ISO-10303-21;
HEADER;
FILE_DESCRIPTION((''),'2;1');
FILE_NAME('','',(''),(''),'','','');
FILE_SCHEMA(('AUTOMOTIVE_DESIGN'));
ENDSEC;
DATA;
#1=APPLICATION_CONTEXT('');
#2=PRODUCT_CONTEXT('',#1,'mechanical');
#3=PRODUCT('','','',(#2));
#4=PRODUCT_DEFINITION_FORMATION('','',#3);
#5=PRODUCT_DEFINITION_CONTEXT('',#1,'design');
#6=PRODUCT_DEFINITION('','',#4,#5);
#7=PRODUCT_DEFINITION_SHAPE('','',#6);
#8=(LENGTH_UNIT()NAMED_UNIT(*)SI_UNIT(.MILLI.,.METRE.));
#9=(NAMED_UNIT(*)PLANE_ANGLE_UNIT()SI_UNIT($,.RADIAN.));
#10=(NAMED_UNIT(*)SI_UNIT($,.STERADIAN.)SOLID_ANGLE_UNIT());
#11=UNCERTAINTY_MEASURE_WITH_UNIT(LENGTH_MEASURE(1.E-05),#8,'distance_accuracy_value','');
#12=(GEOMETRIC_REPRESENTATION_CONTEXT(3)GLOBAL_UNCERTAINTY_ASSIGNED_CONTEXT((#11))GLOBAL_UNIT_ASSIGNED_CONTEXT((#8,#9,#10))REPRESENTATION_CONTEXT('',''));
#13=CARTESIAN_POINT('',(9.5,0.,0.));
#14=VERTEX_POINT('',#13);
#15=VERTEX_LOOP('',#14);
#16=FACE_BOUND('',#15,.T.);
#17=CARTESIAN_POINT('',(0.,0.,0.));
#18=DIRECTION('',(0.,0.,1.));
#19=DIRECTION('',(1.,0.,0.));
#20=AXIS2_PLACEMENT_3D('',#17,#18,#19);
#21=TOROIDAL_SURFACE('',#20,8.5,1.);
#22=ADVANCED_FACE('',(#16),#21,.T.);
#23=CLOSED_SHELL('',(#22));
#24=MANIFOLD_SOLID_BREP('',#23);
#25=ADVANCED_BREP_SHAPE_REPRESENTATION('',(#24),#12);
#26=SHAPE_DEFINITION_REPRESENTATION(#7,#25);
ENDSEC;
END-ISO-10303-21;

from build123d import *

# Parameters (mm, degrees)
SKETCH1_R = 1


with BuildPart() as part:
    # Sketch1 → Revolve1 (revolve)
    with BuildSketch(Plane(origin=(0, 0, 0), x_dir=(0, 0, -1), z_dir=(1, 0, 0))):
        with Locations((0, 8.5)):
            Circle(SKETCH1_R)
    revolve(axis=Axis((0, 0, 5.071393517), (0, 0, -1)))


solid = part.part
